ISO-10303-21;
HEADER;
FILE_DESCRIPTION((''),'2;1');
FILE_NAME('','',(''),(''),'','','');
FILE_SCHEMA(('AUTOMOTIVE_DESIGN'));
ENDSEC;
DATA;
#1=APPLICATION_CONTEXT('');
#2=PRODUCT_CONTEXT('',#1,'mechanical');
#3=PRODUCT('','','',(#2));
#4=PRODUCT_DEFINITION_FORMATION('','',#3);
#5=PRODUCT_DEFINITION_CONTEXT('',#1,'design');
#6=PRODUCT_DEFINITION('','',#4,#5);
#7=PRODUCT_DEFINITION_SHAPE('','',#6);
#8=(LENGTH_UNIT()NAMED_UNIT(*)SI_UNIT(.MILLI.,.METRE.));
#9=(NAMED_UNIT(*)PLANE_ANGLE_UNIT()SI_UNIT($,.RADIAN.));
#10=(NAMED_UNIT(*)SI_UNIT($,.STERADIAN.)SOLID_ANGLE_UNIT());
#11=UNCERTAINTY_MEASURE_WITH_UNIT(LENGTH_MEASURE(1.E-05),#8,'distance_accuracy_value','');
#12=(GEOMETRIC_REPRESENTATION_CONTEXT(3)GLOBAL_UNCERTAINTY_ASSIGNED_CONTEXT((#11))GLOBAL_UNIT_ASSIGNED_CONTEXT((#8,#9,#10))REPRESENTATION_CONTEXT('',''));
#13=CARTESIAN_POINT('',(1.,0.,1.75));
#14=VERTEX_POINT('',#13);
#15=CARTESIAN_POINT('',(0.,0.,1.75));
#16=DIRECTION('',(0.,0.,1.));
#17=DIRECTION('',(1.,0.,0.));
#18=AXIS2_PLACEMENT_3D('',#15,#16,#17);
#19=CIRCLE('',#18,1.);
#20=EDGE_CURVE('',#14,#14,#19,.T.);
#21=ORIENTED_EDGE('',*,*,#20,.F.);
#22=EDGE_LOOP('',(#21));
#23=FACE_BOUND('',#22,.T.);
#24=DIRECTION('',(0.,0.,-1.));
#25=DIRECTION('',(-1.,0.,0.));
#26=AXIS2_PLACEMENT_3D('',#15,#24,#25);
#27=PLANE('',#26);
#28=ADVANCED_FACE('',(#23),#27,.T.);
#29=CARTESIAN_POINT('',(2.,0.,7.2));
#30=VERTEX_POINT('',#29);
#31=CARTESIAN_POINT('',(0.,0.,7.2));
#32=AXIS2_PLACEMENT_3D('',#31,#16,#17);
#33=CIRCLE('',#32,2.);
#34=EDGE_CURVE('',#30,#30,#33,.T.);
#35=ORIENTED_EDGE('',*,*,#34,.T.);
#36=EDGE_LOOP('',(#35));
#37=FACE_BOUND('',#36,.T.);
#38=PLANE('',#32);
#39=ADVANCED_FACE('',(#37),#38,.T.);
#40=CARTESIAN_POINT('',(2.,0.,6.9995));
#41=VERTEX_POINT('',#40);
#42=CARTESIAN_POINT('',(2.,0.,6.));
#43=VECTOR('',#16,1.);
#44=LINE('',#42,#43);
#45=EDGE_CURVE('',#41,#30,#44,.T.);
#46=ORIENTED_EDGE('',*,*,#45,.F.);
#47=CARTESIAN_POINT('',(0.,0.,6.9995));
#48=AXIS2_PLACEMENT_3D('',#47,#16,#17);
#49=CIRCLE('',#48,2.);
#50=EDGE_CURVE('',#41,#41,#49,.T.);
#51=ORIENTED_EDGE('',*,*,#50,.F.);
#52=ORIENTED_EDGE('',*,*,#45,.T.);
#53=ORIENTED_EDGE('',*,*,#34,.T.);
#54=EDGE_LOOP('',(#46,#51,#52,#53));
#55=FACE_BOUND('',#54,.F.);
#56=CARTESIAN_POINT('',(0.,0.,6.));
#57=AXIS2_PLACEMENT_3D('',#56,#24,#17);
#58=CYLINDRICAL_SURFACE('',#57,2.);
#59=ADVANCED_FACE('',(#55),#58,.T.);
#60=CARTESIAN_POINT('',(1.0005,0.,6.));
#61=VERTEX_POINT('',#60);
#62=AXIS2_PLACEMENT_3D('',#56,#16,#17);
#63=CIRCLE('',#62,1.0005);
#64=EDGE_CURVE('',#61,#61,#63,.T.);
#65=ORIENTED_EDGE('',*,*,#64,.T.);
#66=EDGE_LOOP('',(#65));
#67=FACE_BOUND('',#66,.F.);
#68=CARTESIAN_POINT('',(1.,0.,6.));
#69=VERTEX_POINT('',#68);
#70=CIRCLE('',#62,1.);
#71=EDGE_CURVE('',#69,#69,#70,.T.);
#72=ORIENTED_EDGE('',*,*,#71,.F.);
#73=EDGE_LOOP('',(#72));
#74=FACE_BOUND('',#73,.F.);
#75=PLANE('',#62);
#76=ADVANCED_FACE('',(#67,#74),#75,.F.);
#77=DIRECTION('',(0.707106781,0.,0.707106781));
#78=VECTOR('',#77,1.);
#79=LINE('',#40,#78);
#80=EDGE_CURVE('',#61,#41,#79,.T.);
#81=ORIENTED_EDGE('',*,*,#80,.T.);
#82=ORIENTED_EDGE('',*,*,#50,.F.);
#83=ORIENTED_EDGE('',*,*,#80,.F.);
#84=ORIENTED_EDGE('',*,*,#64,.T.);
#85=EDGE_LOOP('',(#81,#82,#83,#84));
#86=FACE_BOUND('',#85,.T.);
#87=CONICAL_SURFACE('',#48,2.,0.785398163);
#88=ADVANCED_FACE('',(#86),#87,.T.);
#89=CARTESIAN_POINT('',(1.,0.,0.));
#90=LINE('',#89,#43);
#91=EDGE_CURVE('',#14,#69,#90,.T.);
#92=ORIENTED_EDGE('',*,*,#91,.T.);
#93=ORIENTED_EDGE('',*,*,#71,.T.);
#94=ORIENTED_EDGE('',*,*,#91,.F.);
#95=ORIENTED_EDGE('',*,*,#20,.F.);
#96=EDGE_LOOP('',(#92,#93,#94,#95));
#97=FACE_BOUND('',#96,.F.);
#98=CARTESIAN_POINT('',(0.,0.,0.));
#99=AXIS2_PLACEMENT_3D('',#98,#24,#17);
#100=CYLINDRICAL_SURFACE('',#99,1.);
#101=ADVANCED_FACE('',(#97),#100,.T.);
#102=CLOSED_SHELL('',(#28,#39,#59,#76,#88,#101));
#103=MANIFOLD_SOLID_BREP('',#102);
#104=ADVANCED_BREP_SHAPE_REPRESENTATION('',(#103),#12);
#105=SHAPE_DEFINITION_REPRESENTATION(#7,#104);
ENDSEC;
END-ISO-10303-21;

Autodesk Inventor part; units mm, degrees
ref_plane "YZ Plane" through (0, 0, 0) normal (1, 0, 0) x (0, 1, 0)
ref_plane "XZ Plane" through (0, 0, 0) normal (0, 1, 0) x (-1, 0, 0)
ref_plane "XY Plane" through (0, 0, 0) normal (0, 0, 1) x (1, 0, 0)
sketch "スケッチ1" plane through (0, 0, 0) normal (0, 0, 1) x (1, 0, 0)
  circle A0 centre (0, 0) radius 1
  dimension "d0" = 2
extrude "押し出し1" add sketch "スケッチ1" along normal blind 6
sketch "スケッチ2" plane through (0, 0, 6) normal (0, 0, 1) x (1, 0, 0)
  circle A0 centre (0, 0) radius 1 projected
  circle A1 centre (0, 0) radius 2
  dimension "d3" = 4
extrude "押し出し2" add sketch "スケッチ2" along normal blind 1.2 contours A0 | A1
thread "ねじ1" size "M3x0.5" class "6g" standard "ANSI Metric M Profile" full length
chamfer "面取り1" distance 1 angle 45 1 edges at (-2, 0, 6)
sketch "スケッチ4" plane through (0, 0, 0) normal (0, 0, -1) x (-1, 0, 0)
  circle A0 centre (0, 0) radius 1 projected
extrude "押し出し4" cut sketch "スケッチ4" against normal blind 1.75
properties part number "SB　M2 6mm皿ネジ" material "Steel, Mild"
